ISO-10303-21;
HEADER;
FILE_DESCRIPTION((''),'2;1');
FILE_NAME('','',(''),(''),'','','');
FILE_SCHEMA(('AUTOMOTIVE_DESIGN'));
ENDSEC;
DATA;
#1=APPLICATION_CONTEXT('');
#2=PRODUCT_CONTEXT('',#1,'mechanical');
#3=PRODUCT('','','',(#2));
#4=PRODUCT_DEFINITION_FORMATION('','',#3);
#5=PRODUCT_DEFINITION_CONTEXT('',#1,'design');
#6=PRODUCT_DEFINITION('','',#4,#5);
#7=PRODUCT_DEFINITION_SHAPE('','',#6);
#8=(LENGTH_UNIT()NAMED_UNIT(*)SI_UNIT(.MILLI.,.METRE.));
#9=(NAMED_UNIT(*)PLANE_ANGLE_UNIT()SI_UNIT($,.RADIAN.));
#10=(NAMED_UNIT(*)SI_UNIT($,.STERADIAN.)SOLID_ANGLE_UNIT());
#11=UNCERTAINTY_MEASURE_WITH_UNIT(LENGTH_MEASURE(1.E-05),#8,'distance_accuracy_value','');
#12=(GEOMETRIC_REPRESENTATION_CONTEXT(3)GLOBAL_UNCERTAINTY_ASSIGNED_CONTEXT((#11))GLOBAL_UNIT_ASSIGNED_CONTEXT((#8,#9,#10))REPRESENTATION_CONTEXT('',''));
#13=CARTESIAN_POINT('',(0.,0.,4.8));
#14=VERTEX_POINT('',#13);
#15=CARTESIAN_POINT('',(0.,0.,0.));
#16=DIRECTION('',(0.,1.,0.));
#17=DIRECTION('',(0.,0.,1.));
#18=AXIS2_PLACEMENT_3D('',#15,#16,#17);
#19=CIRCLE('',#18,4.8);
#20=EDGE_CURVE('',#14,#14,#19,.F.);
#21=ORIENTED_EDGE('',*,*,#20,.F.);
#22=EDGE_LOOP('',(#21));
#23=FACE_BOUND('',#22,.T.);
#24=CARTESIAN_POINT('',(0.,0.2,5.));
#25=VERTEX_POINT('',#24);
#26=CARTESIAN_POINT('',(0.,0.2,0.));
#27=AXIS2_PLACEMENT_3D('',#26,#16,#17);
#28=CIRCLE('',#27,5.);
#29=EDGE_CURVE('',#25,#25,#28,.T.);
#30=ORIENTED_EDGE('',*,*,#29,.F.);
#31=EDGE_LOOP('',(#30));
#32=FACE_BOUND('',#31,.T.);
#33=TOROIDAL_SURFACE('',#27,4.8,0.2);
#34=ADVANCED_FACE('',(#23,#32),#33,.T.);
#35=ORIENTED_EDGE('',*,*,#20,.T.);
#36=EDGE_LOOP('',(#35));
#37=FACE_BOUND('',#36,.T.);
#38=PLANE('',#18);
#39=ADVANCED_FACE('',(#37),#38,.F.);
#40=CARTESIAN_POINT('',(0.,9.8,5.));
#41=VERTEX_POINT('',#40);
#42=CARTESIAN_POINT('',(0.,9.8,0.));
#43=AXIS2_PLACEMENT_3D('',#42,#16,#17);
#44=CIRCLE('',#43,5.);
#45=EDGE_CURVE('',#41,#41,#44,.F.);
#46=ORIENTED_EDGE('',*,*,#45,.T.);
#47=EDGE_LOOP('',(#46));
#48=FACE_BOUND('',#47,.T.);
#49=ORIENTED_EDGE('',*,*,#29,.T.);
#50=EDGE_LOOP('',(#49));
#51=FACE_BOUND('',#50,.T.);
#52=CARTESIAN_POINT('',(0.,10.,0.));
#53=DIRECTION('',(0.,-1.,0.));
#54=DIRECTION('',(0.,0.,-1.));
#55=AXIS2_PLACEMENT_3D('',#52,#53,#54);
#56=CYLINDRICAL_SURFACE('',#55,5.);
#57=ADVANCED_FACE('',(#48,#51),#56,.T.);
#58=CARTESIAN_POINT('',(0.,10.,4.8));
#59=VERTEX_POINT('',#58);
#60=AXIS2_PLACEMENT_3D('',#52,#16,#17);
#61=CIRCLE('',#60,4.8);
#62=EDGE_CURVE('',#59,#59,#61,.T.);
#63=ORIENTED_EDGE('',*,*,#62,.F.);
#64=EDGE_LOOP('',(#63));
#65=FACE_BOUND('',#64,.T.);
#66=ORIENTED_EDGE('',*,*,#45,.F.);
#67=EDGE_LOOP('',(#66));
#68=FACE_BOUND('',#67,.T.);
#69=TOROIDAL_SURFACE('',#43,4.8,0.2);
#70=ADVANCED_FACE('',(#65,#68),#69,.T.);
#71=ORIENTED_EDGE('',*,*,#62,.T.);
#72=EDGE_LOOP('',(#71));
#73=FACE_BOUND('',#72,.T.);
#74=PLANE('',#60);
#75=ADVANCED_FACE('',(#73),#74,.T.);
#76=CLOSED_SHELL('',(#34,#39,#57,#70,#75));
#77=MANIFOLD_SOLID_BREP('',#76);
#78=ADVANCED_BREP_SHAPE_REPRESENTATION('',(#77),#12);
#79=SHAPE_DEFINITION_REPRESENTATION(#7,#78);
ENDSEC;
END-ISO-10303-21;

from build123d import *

# Parameters (mm, degrees)
SKETCH1_R           = 5
BOSS_EXTRUDE1_DEPTH = 10
FILLET1_R           = 0.2


with BuildPart() as part:
    # Sketch1 → Boss-Extrude1 (new body)
    with BuildSketch(Plane(origin=(0, 0, 0), x_dir=(1, 0, 0), z_dir=(0, 1, 0))):
        Circle(SKETCH1_R)
    extrude(amount=BOSS_EXTRUDE1_DEPTH)

    # Fillet1
    fillet1_edges = [part.edges().sort_by_distance(p)[0] for p in [
        (-5, 0, 0),
        (-5, 10, 0),
    ]]
    fillet(fillet1_edges, radius=FILLET1_R)


solid = part.part
